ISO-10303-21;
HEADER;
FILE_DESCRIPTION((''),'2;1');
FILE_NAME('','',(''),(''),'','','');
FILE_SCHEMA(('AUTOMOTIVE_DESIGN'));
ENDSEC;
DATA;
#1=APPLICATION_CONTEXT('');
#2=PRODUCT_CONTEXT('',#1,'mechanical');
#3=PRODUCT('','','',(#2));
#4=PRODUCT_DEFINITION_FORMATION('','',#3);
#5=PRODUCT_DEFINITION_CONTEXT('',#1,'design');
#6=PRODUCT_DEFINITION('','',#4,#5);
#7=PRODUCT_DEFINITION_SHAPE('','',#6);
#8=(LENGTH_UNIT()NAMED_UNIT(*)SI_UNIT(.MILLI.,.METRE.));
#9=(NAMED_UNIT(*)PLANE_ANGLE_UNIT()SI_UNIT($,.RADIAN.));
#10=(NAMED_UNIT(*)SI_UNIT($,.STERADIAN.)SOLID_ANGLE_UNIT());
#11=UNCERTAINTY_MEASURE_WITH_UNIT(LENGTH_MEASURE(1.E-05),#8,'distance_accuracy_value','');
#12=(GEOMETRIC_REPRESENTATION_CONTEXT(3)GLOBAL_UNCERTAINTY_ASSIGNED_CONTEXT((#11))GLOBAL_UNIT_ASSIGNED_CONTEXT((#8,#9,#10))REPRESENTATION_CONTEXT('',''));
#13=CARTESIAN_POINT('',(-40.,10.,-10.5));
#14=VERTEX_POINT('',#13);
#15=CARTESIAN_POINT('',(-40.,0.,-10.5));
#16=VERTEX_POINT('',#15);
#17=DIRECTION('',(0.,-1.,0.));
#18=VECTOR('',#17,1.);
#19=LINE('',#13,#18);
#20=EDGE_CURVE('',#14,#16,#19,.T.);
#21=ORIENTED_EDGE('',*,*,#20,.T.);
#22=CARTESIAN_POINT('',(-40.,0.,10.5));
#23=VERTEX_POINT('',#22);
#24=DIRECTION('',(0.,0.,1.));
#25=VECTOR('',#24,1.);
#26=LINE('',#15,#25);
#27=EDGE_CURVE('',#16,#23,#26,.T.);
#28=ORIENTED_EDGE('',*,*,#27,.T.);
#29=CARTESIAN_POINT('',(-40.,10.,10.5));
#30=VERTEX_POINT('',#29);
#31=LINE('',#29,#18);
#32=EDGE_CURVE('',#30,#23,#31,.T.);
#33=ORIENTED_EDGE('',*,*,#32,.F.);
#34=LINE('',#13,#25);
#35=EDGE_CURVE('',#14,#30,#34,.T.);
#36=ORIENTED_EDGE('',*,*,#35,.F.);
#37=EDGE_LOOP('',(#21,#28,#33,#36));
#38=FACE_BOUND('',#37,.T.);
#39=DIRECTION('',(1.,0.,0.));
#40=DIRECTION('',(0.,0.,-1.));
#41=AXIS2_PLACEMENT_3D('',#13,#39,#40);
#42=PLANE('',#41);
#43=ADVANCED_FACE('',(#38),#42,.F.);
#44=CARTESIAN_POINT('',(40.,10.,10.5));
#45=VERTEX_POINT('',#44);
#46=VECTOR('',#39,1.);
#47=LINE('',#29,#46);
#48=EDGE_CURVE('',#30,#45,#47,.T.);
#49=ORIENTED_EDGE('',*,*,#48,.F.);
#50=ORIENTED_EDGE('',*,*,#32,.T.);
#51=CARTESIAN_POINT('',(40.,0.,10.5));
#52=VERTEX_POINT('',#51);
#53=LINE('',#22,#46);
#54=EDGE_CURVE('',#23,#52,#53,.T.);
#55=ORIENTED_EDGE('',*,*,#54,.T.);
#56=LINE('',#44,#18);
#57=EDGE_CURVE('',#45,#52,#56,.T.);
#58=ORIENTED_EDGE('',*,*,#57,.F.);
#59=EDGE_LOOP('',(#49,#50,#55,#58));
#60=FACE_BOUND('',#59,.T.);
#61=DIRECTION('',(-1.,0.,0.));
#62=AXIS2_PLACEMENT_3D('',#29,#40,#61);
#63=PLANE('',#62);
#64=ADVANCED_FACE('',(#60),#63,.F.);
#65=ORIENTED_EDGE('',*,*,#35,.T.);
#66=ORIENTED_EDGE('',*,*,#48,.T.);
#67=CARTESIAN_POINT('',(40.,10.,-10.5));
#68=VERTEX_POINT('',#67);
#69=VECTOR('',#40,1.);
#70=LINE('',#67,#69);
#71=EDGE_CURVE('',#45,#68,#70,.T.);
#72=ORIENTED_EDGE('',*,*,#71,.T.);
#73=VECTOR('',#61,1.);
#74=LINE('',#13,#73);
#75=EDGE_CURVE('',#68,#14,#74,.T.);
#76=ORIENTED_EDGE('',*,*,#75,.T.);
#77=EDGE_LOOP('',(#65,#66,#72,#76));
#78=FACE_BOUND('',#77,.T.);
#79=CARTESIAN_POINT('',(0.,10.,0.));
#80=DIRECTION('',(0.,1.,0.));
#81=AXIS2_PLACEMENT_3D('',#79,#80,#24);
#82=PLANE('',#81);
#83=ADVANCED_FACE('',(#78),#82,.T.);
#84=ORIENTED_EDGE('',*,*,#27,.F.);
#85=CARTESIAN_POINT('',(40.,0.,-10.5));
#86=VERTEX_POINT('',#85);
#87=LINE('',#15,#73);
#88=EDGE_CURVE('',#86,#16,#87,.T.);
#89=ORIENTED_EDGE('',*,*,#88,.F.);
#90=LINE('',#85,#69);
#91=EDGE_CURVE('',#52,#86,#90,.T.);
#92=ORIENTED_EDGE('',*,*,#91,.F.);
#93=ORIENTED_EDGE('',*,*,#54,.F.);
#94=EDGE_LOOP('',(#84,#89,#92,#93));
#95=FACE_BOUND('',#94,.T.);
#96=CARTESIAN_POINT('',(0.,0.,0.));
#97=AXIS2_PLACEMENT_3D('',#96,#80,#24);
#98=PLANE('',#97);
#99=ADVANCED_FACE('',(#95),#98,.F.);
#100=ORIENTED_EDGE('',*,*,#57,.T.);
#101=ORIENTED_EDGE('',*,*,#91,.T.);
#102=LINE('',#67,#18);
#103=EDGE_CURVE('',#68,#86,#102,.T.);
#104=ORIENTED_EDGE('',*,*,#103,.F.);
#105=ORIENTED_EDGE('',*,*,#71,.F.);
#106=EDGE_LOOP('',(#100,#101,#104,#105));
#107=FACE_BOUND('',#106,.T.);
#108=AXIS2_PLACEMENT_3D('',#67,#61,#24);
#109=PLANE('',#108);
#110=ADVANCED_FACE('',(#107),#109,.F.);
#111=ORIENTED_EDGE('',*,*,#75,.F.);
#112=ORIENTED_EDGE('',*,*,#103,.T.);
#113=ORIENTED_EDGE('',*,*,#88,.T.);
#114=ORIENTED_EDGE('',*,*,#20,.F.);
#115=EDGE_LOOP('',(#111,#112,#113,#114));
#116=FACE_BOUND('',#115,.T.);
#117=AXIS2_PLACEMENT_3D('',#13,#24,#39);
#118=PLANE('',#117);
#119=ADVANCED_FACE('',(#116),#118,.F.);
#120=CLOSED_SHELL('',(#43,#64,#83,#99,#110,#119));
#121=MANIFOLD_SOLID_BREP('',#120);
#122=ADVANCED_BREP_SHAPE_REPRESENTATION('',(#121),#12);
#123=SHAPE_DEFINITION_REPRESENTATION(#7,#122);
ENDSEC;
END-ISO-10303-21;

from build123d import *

# Parameters (mm, degrees)
SKETCH_1_W      = 80
SKETCH_1_H      = 21
EXTRUDE_1_DEPTH = 10


with BuildPart() as part:
    # Эскиз1 → Бобышка-Вытянуть1 (new body)
    with BuildSketch(Plane(origin=(0, 0, 0), x_dir=(1, 0, 0), z_dir=(0, 1, 0))):
        Rectangle(SKETCH_1_W, SKETCH_1_H)
    extrude(amount=EXTRUDE_1_DEPTH)


solid = part.part
